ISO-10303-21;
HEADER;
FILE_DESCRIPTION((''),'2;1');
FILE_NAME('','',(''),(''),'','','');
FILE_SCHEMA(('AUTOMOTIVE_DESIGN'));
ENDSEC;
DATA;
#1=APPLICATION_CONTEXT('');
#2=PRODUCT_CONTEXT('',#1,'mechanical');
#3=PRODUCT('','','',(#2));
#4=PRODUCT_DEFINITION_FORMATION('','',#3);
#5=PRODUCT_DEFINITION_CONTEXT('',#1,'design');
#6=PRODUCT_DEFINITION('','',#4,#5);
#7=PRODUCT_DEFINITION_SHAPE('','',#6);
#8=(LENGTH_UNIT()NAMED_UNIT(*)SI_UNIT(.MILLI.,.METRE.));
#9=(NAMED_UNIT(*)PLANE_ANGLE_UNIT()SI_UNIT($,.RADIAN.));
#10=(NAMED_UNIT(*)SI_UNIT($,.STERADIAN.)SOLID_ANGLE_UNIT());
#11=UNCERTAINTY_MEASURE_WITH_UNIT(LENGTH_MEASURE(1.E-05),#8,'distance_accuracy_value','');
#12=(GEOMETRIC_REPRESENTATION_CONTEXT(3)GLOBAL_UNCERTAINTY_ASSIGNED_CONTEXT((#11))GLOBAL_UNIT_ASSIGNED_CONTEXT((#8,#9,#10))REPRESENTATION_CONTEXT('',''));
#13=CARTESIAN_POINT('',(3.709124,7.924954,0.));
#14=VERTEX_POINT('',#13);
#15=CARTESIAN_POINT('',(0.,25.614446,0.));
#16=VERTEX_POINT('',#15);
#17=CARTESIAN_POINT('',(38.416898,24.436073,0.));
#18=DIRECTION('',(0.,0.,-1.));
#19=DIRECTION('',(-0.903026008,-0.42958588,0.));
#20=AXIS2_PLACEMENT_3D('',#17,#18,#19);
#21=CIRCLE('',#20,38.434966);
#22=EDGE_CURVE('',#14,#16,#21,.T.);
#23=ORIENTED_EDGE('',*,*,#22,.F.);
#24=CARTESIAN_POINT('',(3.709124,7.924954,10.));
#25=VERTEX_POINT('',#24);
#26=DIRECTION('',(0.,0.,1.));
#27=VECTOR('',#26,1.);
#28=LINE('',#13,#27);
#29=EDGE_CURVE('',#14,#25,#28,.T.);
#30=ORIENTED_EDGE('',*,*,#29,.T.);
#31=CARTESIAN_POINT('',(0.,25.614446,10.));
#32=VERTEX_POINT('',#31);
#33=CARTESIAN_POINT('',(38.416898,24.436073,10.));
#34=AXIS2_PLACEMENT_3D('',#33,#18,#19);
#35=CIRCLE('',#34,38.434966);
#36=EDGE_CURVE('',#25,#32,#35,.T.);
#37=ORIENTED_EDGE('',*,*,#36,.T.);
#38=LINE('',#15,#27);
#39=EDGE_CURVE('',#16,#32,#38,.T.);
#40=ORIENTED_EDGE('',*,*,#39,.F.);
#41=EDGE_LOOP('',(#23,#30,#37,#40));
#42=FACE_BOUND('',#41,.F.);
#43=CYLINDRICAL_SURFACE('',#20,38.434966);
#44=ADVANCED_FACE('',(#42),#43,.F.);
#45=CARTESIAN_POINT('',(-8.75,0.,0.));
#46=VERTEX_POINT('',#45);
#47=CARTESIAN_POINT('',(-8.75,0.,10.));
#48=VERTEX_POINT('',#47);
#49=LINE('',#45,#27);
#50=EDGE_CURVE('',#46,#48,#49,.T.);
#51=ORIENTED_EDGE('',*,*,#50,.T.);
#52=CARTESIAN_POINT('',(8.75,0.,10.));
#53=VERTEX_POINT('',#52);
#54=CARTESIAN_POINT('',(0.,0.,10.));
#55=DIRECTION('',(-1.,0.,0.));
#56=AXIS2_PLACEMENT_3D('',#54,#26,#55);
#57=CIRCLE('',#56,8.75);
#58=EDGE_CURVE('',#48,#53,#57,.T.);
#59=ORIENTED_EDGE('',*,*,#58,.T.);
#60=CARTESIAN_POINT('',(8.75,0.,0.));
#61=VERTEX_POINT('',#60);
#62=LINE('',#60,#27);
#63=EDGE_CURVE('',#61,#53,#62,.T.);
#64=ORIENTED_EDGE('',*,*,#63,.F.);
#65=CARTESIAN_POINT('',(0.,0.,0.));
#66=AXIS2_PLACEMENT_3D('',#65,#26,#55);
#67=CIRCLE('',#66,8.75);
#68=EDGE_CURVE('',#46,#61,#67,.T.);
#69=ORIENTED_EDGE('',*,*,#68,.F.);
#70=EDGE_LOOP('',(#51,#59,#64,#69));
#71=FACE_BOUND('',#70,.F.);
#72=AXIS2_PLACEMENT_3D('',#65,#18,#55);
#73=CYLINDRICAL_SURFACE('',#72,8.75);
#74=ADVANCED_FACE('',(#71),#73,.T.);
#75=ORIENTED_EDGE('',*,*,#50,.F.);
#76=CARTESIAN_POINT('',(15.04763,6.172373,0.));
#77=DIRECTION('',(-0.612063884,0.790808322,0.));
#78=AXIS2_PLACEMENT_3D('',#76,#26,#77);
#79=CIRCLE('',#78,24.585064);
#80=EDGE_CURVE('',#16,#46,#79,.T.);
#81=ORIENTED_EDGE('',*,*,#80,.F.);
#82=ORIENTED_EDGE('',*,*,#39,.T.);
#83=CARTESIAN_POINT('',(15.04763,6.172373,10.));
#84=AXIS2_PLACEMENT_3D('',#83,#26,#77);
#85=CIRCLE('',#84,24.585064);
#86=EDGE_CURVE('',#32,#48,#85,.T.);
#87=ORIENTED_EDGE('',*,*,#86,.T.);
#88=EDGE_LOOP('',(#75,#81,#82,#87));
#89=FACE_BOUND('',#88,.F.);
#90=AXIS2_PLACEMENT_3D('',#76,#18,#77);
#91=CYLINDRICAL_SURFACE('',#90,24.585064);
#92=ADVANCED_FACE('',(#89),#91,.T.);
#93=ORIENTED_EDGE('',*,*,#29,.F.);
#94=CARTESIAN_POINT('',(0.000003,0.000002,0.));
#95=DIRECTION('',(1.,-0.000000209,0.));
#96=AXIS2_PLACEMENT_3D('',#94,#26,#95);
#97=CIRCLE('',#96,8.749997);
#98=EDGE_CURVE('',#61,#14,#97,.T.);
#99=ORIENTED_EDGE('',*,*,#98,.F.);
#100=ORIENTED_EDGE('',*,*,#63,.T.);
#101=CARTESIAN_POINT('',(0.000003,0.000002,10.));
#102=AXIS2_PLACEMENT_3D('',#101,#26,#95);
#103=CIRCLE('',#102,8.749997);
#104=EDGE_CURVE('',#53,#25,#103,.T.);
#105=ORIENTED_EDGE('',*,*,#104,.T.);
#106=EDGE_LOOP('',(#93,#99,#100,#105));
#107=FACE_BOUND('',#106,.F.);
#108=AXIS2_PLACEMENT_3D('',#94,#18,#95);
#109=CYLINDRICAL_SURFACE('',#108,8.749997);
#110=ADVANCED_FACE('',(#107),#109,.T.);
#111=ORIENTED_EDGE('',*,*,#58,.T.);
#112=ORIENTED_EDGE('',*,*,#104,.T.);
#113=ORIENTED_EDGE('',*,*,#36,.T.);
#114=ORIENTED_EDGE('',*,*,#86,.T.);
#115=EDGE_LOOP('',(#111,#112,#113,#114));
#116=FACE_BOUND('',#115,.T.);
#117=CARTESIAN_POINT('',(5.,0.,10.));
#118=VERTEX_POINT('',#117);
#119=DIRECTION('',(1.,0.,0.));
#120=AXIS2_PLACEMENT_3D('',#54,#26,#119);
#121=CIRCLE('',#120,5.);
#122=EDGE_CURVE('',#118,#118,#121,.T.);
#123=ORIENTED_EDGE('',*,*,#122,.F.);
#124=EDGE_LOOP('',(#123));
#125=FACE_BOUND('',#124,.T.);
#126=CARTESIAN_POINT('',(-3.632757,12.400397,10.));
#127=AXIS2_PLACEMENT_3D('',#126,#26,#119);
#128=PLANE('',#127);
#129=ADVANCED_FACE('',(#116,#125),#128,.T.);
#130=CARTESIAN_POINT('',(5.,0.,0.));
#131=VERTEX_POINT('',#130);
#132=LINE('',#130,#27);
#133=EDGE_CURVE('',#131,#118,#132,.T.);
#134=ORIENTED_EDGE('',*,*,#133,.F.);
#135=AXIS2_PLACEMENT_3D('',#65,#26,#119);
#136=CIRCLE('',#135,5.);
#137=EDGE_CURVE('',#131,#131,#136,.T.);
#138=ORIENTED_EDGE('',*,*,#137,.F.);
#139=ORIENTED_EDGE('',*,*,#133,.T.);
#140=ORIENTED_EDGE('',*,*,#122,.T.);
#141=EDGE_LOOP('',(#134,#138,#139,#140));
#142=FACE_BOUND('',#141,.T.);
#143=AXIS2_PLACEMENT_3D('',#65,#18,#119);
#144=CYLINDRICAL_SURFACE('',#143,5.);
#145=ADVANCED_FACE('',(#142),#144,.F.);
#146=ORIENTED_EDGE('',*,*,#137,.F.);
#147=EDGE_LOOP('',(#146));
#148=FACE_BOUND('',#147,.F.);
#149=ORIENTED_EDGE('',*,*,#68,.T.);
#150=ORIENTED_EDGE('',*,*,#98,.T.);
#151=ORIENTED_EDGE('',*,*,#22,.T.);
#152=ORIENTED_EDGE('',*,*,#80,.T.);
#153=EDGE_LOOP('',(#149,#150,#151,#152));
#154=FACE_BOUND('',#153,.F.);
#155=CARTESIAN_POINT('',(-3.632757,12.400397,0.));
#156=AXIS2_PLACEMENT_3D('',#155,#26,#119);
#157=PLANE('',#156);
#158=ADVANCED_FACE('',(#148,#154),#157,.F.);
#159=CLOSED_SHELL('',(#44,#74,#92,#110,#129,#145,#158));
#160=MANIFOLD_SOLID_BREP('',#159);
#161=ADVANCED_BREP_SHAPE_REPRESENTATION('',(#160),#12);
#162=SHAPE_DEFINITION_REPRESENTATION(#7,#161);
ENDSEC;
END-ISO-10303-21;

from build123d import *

# Parameters (mm, degrees)
F0_R     = 5
F1_DEPTH = 10


with BuildPart() as f1:
    # F0 (on Top) → F1 (new body)
    with BuildSketch(Plane.XY):
        with BuildLine():
            ThreePointArc((0, 25.614446), (-8.217441, 14.119816), (-8.75, 0))
            ThreePointArc((-8.75, 0), (-4.696151, 7.382999), (3.709124, 7.924954))
            ThreePointArc((3.709124, 7.924954), (0.799961, 16.548572), (0, 25.614446))
        make_face()
        with BuildLine():
            ThreePointArc((3.709124, 7.924954), (-4.696151, 7.382999), (-8.75, 0))
            ThreePointArc((-8.75, 0), (0, -8.75), (8.75, 0))
            ThreePointArc((8.75, 0), (5.986575, 3.807919), (3.709124, 7.924954))
        make_face()
        Circle(F0_R, mode=Mode.SUBTRACT)
        with BuildLine():
            ThreePointArc((3.709124, 7.924954), (5.986575, 3.807919), (8.75, 0))
            ThreePointArc((8.75, 0), (7.382999, 4.696151), (3.709124, 7.924954))
        make_face()
    extrude(amount=F1_DEPTH)


solid = f1.part
